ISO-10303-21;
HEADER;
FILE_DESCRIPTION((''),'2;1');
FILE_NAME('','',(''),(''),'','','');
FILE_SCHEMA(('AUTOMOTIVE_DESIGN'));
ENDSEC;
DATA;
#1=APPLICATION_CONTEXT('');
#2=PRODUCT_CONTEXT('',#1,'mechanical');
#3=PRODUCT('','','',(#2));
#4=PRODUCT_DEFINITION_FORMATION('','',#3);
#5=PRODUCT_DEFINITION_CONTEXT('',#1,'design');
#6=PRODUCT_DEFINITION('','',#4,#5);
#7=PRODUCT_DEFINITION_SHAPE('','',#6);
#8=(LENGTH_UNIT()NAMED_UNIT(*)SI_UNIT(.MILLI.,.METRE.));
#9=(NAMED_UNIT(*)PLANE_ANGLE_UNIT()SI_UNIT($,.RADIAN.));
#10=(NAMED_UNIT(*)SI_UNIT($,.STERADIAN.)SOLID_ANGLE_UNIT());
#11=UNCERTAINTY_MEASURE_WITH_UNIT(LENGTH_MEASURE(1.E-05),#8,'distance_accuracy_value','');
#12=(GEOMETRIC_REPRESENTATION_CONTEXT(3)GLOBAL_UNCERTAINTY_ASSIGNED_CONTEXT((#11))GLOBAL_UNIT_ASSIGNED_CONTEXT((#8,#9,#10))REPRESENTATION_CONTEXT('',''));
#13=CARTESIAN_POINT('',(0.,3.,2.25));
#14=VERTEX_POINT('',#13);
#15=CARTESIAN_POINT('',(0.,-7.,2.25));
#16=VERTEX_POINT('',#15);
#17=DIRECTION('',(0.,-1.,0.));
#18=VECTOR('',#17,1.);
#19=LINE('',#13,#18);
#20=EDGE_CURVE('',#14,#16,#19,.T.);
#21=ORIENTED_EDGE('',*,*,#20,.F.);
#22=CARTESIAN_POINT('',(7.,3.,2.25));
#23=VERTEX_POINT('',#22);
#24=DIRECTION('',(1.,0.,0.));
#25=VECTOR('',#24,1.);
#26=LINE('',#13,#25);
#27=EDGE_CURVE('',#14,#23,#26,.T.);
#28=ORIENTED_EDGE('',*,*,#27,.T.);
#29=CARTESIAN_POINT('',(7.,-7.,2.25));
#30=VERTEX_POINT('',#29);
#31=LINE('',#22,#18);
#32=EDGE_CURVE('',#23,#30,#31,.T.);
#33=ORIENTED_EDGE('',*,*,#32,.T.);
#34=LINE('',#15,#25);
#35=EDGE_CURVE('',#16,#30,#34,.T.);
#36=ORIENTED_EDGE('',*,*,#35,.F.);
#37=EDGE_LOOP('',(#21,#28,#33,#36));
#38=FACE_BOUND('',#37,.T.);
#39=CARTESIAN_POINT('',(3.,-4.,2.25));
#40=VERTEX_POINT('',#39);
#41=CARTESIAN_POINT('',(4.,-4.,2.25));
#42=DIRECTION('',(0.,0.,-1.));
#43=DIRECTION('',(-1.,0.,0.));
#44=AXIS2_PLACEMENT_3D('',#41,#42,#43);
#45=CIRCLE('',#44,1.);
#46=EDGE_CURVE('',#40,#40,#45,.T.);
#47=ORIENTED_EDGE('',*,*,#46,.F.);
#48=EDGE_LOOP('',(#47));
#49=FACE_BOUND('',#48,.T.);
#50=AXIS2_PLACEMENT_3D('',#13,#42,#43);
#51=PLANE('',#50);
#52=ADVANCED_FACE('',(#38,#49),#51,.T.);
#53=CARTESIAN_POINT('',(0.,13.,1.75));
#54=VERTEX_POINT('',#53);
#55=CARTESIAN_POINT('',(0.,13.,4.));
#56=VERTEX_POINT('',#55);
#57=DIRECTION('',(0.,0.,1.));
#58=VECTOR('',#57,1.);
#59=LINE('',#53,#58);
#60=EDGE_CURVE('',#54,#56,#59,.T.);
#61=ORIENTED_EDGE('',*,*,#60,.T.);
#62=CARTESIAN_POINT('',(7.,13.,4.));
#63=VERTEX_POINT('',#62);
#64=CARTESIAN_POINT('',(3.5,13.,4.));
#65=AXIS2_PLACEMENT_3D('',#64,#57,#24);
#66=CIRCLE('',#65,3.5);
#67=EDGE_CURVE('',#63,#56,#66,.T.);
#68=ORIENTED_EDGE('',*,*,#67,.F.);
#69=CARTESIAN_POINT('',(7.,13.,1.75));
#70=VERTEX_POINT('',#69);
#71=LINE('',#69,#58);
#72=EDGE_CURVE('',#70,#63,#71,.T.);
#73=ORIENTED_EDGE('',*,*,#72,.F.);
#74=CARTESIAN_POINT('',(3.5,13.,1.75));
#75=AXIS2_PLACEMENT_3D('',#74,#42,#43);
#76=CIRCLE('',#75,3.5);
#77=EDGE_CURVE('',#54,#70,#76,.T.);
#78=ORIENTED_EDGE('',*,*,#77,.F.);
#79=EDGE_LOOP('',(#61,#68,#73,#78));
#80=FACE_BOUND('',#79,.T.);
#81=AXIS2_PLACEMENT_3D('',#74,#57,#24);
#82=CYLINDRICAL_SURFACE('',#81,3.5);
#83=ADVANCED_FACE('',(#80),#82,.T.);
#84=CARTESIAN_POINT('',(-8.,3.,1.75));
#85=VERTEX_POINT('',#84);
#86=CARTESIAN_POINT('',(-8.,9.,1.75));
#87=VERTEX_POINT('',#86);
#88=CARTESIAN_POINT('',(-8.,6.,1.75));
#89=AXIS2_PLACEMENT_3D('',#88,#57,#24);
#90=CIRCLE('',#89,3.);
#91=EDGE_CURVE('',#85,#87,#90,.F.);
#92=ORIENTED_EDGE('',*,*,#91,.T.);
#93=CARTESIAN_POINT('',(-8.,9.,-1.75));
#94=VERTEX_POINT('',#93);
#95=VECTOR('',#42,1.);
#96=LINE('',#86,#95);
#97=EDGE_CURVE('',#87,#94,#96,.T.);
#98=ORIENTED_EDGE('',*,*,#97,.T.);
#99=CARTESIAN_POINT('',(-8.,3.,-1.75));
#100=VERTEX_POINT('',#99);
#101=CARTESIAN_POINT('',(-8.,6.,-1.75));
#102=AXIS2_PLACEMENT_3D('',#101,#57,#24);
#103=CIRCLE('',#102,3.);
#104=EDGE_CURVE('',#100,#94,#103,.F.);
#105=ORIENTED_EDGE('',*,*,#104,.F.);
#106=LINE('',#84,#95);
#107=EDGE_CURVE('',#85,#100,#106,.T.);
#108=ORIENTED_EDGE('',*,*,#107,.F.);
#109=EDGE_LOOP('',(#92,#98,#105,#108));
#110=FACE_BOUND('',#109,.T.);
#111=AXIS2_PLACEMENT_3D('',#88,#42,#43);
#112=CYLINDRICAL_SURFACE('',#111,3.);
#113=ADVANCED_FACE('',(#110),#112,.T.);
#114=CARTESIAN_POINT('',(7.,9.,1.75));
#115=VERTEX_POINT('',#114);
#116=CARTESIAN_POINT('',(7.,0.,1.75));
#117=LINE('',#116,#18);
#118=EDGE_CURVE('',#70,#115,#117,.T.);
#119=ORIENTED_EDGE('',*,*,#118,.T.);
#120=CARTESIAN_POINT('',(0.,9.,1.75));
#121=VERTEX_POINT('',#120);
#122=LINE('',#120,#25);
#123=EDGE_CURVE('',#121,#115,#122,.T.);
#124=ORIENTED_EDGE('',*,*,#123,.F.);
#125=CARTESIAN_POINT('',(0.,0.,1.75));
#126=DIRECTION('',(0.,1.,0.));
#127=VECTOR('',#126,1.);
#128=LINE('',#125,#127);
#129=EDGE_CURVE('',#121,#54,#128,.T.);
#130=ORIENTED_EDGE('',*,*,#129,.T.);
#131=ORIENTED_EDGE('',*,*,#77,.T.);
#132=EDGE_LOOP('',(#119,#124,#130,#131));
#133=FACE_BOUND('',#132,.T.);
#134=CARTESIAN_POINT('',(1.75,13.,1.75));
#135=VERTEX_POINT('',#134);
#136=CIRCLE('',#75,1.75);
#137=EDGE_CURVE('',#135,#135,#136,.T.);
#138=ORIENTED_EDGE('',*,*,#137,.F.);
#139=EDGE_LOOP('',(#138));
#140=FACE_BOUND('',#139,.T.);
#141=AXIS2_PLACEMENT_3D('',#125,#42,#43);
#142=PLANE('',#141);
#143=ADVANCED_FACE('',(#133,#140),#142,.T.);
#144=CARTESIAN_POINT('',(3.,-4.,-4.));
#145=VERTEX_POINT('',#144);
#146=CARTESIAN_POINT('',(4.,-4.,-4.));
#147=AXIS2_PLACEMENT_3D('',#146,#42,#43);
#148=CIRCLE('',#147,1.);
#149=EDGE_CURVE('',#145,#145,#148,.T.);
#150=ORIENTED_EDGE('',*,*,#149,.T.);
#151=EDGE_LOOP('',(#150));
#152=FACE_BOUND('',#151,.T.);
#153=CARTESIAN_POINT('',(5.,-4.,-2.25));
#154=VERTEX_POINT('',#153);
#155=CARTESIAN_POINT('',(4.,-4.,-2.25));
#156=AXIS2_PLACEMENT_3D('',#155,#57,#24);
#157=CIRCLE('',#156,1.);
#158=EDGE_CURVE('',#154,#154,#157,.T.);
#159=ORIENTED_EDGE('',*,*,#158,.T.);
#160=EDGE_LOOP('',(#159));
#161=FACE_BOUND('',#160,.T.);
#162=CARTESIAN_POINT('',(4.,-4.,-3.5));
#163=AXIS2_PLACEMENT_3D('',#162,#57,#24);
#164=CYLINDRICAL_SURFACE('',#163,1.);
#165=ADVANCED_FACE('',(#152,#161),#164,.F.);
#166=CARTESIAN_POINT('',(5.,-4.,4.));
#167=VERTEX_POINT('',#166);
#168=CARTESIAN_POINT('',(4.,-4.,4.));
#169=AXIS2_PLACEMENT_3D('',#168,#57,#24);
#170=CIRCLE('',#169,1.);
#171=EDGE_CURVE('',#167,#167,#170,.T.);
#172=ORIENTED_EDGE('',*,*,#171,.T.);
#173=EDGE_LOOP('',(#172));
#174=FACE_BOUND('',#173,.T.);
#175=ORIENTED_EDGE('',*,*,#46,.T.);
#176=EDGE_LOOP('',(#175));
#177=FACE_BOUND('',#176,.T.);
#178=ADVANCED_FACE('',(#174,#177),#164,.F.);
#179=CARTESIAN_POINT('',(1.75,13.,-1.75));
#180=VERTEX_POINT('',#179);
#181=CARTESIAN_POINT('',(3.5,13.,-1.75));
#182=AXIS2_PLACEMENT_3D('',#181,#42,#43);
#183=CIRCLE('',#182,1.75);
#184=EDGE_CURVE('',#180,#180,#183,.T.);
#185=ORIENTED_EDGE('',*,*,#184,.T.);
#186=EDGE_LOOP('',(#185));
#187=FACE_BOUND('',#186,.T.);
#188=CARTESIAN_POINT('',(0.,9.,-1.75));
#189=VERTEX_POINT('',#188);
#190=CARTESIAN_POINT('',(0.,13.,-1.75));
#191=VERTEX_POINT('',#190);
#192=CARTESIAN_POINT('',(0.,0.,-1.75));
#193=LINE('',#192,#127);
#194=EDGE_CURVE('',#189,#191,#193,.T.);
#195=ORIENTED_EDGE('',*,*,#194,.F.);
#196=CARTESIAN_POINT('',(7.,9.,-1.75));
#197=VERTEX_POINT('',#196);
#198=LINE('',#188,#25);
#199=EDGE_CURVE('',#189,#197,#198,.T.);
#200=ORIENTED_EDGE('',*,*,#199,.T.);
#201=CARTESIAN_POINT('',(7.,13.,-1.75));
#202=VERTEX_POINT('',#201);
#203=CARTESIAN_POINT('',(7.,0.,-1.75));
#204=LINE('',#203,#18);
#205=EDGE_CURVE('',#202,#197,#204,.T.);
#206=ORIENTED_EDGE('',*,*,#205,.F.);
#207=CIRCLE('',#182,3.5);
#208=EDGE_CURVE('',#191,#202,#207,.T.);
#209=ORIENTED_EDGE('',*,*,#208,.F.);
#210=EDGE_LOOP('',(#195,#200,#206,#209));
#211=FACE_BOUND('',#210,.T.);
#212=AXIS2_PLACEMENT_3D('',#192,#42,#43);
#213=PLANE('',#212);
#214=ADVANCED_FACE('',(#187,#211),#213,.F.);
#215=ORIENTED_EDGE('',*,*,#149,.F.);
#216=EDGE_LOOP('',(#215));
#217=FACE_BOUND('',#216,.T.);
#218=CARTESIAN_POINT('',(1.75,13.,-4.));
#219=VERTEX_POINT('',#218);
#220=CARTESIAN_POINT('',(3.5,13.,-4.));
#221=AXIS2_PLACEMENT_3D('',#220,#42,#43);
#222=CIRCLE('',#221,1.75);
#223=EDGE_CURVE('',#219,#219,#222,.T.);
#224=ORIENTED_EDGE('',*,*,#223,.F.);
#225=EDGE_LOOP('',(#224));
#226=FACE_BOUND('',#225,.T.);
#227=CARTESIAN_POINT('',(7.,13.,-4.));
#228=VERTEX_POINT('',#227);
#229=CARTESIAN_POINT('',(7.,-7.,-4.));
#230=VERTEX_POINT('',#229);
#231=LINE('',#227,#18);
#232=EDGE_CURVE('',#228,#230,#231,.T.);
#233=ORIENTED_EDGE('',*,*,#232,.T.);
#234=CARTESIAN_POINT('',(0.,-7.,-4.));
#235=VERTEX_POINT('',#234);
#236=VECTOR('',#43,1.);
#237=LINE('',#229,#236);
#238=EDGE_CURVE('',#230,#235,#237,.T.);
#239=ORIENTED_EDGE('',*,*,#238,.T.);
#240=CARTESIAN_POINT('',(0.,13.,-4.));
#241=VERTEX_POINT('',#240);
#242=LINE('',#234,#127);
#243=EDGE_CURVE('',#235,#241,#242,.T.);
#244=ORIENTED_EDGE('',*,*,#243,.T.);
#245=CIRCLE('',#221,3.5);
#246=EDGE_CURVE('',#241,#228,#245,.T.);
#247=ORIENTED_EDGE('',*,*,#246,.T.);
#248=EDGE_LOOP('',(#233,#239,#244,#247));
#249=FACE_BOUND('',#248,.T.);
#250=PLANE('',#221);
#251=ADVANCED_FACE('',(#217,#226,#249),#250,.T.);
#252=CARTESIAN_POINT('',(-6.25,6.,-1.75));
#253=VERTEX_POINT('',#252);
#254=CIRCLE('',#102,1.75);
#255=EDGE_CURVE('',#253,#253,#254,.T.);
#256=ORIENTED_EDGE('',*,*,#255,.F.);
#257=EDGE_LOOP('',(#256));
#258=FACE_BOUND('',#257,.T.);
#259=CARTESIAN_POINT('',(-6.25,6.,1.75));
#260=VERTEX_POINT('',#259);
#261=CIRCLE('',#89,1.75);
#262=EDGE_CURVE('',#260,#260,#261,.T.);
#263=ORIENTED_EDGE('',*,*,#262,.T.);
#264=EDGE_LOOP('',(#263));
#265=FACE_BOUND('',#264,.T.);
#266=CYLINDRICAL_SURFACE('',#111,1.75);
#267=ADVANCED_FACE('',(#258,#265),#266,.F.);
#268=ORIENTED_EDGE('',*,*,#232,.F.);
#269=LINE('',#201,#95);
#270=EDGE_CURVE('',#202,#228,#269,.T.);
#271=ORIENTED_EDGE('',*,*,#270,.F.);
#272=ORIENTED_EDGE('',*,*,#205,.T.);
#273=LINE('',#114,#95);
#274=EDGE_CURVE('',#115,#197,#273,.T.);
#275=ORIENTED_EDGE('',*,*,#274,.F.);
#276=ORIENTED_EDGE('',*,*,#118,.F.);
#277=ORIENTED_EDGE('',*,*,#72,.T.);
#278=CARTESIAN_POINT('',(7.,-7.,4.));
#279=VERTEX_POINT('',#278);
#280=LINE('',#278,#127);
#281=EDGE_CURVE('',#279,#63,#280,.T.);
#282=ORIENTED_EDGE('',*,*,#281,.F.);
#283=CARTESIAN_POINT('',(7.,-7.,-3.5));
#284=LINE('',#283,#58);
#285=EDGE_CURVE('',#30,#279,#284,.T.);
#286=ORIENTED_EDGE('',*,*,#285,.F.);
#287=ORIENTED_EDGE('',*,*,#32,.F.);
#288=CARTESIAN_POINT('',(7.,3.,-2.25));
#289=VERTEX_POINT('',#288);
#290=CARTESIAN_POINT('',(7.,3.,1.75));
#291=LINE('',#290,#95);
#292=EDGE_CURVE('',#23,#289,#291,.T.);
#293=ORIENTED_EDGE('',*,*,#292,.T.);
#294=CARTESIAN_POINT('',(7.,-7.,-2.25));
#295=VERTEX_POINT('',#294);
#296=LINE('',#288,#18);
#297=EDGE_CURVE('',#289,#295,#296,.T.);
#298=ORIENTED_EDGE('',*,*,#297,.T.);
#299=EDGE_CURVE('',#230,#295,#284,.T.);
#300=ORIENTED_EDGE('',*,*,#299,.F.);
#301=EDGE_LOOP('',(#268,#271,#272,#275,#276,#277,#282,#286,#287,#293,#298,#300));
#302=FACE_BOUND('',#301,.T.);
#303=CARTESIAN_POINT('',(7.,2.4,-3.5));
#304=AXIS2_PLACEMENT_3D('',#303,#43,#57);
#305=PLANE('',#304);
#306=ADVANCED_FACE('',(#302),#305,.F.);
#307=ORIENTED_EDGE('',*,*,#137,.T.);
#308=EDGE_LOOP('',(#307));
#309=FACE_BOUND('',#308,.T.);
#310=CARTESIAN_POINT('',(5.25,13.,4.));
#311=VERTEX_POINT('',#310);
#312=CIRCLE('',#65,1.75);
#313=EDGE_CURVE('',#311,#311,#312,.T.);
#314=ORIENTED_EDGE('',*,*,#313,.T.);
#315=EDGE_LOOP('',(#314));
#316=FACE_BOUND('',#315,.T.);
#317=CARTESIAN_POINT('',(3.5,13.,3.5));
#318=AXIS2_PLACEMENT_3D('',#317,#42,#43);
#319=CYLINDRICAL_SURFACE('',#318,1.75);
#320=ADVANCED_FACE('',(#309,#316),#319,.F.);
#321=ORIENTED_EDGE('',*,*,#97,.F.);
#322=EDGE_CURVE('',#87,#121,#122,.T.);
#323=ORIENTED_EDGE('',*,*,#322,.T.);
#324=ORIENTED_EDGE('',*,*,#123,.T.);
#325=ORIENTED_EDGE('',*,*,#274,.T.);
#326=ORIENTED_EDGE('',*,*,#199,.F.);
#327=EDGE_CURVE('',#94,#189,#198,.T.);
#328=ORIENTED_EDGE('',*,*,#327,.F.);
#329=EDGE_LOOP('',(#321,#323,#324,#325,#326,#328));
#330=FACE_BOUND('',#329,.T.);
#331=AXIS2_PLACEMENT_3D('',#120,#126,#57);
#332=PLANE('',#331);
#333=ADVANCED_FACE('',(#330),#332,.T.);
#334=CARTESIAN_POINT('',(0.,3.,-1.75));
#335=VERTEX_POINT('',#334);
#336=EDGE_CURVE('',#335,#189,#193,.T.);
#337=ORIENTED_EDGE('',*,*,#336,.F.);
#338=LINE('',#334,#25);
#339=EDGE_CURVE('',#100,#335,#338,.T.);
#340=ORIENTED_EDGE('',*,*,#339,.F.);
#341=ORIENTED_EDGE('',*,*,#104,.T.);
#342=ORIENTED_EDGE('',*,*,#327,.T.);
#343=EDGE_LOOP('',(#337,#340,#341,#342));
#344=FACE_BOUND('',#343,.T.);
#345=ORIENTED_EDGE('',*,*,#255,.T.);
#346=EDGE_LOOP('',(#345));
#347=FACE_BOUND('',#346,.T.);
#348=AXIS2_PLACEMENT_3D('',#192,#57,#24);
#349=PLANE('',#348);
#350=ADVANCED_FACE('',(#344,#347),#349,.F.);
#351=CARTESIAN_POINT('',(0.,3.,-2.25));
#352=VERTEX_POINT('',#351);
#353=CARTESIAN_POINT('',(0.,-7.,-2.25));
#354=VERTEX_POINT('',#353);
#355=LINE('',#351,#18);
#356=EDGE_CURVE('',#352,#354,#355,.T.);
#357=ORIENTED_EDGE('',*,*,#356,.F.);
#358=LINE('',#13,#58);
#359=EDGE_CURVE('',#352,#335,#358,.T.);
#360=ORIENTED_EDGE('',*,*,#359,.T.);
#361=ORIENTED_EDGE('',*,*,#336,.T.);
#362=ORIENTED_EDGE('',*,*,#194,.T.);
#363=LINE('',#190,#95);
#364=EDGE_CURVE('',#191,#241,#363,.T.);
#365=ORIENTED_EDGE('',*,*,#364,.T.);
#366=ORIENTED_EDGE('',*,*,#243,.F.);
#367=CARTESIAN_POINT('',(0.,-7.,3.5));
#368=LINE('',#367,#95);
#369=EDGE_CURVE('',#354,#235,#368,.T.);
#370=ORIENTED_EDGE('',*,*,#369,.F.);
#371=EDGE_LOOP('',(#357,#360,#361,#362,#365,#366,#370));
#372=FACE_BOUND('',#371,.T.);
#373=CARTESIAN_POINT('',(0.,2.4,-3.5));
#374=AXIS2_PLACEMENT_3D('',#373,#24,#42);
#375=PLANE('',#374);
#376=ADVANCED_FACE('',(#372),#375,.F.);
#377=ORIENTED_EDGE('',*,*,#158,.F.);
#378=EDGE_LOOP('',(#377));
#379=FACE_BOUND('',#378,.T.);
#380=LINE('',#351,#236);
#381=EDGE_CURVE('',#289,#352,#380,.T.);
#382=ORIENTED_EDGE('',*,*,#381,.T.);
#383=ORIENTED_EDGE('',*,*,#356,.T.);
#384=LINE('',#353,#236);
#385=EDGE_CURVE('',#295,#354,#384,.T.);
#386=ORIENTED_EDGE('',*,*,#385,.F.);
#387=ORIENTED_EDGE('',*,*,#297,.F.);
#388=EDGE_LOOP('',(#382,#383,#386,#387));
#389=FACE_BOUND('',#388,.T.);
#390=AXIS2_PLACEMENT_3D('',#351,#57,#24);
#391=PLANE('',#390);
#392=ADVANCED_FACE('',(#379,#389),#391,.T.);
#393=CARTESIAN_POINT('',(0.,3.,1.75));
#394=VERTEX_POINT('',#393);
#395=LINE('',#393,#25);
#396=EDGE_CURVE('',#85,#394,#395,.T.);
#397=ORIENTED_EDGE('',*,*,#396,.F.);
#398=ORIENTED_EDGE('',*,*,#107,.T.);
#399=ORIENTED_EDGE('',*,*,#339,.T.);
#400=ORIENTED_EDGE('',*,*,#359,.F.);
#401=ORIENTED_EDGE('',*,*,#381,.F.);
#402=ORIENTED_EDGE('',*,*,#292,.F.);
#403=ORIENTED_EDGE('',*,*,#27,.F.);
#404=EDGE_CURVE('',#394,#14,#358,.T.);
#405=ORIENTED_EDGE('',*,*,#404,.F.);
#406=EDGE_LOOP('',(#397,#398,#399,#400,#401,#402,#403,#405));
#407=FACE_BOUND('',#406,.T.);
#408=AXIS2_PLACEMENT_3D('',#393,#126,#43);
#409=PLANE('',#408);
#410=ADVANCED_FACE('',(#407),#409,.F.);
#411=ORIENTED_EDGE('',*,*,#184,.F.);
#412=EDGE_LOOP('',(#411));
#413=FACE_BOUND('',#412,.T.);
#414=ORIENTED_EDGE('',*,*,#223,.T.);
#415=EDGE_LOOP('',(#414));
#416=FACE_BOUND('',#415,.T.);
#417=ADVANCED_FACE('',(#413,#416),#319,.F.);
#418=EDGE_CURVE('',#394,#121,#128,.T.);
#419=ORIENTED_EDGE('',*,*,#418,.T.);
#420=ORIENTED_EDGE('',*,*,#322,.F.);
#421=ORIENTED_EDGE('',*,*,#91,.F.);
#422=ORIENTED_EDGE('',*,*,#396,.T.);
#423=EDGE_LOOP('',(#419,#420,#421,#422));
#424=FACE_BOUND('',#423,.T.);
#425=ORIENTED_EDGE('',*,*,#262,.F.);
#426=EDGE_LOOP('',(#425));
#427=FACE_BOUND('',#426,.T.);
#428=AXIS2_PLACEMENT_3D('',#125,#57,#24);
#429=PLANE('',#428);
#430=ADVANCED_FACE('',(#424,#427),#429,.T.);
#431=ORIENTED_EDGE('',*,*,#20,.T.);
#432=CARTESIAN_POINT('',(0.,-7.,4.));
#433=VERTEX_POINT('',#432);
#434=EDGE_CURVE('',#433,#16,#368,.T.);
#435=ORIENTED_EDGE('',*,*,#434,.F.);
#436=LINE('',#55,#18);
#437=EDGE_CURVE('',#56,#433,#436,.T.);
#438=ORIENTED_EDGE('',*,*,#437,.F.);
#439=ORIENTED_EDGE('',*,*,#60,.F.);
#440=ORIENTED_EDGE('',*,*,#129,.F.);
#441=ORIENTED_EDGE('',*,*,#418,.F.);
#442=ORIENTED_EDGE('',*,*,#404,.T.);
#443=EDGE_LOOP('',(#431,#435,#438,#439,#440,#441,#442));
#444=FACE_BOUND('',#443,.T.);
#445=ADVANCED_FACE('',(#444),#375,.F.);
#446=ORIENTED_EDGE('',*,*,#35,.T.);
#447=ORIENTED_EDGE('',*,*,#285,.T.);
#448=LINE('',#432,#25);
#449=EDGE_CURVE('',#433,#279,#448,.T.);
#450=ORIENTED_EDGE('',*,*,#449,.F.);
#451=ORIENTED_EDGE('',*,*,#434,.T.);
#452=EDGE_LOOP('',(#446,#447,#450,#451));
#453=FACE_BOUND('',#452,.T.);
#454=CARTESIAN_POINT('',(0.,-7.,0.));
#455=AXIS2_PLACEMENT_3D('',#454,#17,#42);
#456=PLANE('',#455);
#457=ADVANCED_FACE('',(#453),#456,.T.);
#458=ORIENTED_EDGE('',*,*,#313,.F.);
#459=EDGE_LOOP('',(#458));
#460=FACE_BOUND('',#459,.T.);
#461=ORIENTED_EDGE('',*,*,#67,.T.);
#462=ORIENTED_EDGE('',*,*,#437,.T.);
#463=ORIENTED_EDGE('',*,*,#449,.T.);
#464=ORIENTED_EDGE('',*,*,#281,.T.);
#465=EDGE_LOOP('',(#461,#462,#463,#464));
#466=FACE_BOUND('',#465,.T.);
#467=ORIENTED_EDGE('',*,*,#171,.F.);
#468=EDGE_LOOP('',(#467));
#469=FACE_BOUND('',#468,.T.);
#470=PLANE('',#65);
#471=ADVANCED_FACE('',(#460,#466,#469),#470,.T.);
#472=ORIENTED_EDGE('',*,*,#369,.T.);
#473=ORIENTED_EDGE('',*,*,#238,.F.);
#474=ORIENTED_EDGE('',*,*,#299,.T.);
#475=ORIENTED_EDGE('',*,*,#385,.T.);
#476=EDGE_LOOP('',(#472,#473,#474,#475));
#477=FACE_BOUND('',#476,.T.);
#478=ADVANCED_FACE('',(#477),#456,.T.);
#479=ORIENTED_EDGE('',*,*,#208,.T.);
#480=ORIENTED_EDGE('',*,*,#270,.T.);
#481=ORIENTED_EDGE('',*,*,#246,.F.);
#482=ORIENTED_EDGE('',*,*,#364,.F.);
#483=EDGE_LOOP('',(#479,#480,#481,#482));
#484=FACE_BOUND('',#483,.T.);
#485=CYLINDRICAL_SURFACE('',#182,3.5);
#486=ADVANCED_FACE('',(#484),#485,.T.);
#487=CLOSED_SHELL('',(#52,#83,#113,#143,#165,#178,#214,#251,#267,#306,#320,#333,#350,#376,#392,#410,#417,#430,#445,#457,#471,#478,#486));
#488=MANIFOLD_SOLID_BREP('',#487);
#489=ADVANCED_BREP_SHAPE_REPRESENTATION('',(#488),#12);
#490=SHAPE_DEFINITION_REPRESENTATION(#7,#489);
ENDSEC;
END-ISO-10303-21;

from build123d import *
from build123d.topology import SkipClean

# Parameters (mm, degrees)
SKETCH_1_W          = 7
SKETCH_1_H          = 7
EXTRUDE_1_DEPTH     = 2.4
EXTRUDE_6_DEPTH     = 1.75
EXTRUDE_START       = -5.25
EXTRUDE_8_DEPTH     = 1.75
SKETCH_11_R         = 1.75
CUT_EXTRUDE_1_DEPTH = 20.241881405
SKETCH_17_W         = 7
SKETCH_17_H         = 7
EXTRUDE_10_DEPTH    = 7
SKETCH_15_R         = 1.75
EXTRUDE_9_DEPTH     = 1.75
SKETCH_12_R         = 1
CUT_EXTRUDE_2_DEPTH = 19.062391868
SKETCH_18_W         = 7
SKETCH_18_H         = 4.5
CUT_EXTRUDE_4_DEPTH = 10
SKETCH_19_R         = 1
SKETCH_19_R_2       = 1.75
EXTRUDE_11_DEPTH    = 0.5
EXTRUDE_START_2     = 0.5
SKETCH_20_R         = 1
SKETCH_20_R_2       = 1.75
EXTRUDE_12_DEPTH    = 0.5


with BuildPart() as part:
    # 草图1 → 凸台-拉伸1 (new body)
    with BuildSketch(Plane(origin=(0, 0, 0), x_dir=(1, 0, 0), z_dir=(0, 1, 0))):
        with Locations((3.5, 0)):
            Rectangle(SKETCH_1_W, SKETCH_1_H)
    extrude(amount=EXTRUDE_1_DEPTH)

    # 草图10 → 凸台-拉伸6 (add)
    with BuildSketch(Plane(origin=(0, 0, -3.5), x_dir=(-1, 0, 0), z_dir=(0, 0, -1))):
        with BuildLine():
            Line((-7, 13), (-7, 2.4))
            Line((-7, 2.4), (0, 2.4))
            Line((0, 2.4), (0, 13))
            ThreePointArc((0, 13), (-3.5, 16.5), (-7, 13))
        make_face()
    extrude(amount=-EXTRUDE_6_DEPTH)

    # 草图10<2> → 凸台-拉伸8 (add)
    with BuildSketch(Plane(origin=(0, 0, -3.5), x_dir=(-1, 0, 0), z_dir=(0, 0, -1)).offset(EXTRUDE_START)):
        with BuildLine():
            Line((-7, 13), (-7, 2.4))
            Line((-7, 2.4), (0, 2.4))
            Line((0, 2.4), (0, 13))
            ThreePointArc((0, 13), (-3.5, 16.5), (-7, 13))
        make_face()
    extrude(amount=-EXTRUDE_8_DEPTH)

    # 草图11 → 切除-拉伸1 (cut, through all)
    with BuildSketch(Plane(origin=(0, 0, -3.5), x_dir=(-1, 0, 0), z_dir=(0, 0, -1))):
        with Locations((-3.5, 13)):
            Circle(SKETCH_11_R)
    extrude(amount=-CUT_EXTRUDE_1_DEPTH, mode=Mode.SUBTRACT)

    # 草图17 → 凸台-拉伸10 (add)
    with BuildSketch(Plane.XZ):
        with Locations((3.5, 0)):
            Rectangle(SKETCH_17_W, SKETCH_17_H)
    extrude(amount=EXTRUDE_10_DEPTH)

    # 草图15 → 凸台-拉伸9 (add, symmetric)
    with BuildSketch(Plane.XY):
        with BuildLine():
            Line((7, 3), (7, 9))
            Line((7, 9), (-8, 9))
            ThreePointArc((-8, 9), (-11, 6), (-8, 3))
            Line((-8, 3), (7, 3))
        make_face()
        with Locations((-8, 6)):
            Circle(SKETCH_15_R, mode=Mode.SUBTRACT)
    extrude(amount=EXTRUDE_9_DEPTH, both=True)

    # 草图12 → 切除-拉伸2 (cut, through all)
    with BuildSketch(Plane(origin=(0, 4, 3.5), x_dir=(1, 0, 0), z_dir=(0, 0, -1))):
        with Locations((4, 8)):
            Circle(SKETCH_12_R)
    extrude(amount=CUT_EXTRUDE_2_DEPTH, mode=Mode.SUBTRACT)

    # 草图18 → 切除-拉伸4 (cut)
    with BuildSketch(Plane(origin=(7.4, -7, 0), x_dir=(1, 0, 0), z_dir=(0, 1, 0))):
        with Locations((-3.9, 0)):
            Rectangle(SKETCH_18_W, SKETCH_18_H)
    extrude(amount=CUT_EXTRUDE_4_DEPTH, mode=Mode.SUBTRACT)

    # 草图19 → 凸台-拉伸11 (add)
    with SkipClean():  # the faces are left unmerged after this step: merging them gives an invalid solid
        with BuildSketch(Plane.XY.offset(3.5)):
            with BuildLine():
                Line((0, 13), (0, -7))
                Line((0, -7), (7, -7))
                Line((7, -7), (7, 13))
                ThreePointArc((7, 13), (3.5, 16.5), (0, 13))
            make_face()
            with Locations((4, -4)):
                Circle(SKETCH_19_R, mode=Mode.SUBTRACT)
            with Locations((3.5, 13)):
                Circle(SKETCH_19_R_2, mode=Mode.SUBTRACT)
        extrude(amount=EXTRUDE_11_DEPTH)

    # 草图20 → 凸台-拉伸12 (add)
    with SkipClean():  # the faces are left unmerged after this step: merging them gives an invalid solid
        with BuildSketch(Plane(origin=(0, 0, -3.5), x_dir=(-1, 0, 0), z_dir=(0, 0, -1)).offset(EXTRUDE_START_2)):
            with BuildLine():
                Line((-7, 13), (-7, -7))
                Line((-7, -7), (0, -7))
                Line((0, -7), (0, 13))
                ThreePointArc((0, 13), (-3.5, 16.5), (-7, 13))
            make_face()
            with Locations((-4, -4)):
                Circle(SKETCH_20_R, mode=Mode.SUBTRACT)
            with Locations((-3.5, 13)):
                Circle(SKETCH_20_R_2, mode=Mode.SUBTRACT)
        extrude(amount=-EXTRUDE_12_DEPTH)


solid = part.part
